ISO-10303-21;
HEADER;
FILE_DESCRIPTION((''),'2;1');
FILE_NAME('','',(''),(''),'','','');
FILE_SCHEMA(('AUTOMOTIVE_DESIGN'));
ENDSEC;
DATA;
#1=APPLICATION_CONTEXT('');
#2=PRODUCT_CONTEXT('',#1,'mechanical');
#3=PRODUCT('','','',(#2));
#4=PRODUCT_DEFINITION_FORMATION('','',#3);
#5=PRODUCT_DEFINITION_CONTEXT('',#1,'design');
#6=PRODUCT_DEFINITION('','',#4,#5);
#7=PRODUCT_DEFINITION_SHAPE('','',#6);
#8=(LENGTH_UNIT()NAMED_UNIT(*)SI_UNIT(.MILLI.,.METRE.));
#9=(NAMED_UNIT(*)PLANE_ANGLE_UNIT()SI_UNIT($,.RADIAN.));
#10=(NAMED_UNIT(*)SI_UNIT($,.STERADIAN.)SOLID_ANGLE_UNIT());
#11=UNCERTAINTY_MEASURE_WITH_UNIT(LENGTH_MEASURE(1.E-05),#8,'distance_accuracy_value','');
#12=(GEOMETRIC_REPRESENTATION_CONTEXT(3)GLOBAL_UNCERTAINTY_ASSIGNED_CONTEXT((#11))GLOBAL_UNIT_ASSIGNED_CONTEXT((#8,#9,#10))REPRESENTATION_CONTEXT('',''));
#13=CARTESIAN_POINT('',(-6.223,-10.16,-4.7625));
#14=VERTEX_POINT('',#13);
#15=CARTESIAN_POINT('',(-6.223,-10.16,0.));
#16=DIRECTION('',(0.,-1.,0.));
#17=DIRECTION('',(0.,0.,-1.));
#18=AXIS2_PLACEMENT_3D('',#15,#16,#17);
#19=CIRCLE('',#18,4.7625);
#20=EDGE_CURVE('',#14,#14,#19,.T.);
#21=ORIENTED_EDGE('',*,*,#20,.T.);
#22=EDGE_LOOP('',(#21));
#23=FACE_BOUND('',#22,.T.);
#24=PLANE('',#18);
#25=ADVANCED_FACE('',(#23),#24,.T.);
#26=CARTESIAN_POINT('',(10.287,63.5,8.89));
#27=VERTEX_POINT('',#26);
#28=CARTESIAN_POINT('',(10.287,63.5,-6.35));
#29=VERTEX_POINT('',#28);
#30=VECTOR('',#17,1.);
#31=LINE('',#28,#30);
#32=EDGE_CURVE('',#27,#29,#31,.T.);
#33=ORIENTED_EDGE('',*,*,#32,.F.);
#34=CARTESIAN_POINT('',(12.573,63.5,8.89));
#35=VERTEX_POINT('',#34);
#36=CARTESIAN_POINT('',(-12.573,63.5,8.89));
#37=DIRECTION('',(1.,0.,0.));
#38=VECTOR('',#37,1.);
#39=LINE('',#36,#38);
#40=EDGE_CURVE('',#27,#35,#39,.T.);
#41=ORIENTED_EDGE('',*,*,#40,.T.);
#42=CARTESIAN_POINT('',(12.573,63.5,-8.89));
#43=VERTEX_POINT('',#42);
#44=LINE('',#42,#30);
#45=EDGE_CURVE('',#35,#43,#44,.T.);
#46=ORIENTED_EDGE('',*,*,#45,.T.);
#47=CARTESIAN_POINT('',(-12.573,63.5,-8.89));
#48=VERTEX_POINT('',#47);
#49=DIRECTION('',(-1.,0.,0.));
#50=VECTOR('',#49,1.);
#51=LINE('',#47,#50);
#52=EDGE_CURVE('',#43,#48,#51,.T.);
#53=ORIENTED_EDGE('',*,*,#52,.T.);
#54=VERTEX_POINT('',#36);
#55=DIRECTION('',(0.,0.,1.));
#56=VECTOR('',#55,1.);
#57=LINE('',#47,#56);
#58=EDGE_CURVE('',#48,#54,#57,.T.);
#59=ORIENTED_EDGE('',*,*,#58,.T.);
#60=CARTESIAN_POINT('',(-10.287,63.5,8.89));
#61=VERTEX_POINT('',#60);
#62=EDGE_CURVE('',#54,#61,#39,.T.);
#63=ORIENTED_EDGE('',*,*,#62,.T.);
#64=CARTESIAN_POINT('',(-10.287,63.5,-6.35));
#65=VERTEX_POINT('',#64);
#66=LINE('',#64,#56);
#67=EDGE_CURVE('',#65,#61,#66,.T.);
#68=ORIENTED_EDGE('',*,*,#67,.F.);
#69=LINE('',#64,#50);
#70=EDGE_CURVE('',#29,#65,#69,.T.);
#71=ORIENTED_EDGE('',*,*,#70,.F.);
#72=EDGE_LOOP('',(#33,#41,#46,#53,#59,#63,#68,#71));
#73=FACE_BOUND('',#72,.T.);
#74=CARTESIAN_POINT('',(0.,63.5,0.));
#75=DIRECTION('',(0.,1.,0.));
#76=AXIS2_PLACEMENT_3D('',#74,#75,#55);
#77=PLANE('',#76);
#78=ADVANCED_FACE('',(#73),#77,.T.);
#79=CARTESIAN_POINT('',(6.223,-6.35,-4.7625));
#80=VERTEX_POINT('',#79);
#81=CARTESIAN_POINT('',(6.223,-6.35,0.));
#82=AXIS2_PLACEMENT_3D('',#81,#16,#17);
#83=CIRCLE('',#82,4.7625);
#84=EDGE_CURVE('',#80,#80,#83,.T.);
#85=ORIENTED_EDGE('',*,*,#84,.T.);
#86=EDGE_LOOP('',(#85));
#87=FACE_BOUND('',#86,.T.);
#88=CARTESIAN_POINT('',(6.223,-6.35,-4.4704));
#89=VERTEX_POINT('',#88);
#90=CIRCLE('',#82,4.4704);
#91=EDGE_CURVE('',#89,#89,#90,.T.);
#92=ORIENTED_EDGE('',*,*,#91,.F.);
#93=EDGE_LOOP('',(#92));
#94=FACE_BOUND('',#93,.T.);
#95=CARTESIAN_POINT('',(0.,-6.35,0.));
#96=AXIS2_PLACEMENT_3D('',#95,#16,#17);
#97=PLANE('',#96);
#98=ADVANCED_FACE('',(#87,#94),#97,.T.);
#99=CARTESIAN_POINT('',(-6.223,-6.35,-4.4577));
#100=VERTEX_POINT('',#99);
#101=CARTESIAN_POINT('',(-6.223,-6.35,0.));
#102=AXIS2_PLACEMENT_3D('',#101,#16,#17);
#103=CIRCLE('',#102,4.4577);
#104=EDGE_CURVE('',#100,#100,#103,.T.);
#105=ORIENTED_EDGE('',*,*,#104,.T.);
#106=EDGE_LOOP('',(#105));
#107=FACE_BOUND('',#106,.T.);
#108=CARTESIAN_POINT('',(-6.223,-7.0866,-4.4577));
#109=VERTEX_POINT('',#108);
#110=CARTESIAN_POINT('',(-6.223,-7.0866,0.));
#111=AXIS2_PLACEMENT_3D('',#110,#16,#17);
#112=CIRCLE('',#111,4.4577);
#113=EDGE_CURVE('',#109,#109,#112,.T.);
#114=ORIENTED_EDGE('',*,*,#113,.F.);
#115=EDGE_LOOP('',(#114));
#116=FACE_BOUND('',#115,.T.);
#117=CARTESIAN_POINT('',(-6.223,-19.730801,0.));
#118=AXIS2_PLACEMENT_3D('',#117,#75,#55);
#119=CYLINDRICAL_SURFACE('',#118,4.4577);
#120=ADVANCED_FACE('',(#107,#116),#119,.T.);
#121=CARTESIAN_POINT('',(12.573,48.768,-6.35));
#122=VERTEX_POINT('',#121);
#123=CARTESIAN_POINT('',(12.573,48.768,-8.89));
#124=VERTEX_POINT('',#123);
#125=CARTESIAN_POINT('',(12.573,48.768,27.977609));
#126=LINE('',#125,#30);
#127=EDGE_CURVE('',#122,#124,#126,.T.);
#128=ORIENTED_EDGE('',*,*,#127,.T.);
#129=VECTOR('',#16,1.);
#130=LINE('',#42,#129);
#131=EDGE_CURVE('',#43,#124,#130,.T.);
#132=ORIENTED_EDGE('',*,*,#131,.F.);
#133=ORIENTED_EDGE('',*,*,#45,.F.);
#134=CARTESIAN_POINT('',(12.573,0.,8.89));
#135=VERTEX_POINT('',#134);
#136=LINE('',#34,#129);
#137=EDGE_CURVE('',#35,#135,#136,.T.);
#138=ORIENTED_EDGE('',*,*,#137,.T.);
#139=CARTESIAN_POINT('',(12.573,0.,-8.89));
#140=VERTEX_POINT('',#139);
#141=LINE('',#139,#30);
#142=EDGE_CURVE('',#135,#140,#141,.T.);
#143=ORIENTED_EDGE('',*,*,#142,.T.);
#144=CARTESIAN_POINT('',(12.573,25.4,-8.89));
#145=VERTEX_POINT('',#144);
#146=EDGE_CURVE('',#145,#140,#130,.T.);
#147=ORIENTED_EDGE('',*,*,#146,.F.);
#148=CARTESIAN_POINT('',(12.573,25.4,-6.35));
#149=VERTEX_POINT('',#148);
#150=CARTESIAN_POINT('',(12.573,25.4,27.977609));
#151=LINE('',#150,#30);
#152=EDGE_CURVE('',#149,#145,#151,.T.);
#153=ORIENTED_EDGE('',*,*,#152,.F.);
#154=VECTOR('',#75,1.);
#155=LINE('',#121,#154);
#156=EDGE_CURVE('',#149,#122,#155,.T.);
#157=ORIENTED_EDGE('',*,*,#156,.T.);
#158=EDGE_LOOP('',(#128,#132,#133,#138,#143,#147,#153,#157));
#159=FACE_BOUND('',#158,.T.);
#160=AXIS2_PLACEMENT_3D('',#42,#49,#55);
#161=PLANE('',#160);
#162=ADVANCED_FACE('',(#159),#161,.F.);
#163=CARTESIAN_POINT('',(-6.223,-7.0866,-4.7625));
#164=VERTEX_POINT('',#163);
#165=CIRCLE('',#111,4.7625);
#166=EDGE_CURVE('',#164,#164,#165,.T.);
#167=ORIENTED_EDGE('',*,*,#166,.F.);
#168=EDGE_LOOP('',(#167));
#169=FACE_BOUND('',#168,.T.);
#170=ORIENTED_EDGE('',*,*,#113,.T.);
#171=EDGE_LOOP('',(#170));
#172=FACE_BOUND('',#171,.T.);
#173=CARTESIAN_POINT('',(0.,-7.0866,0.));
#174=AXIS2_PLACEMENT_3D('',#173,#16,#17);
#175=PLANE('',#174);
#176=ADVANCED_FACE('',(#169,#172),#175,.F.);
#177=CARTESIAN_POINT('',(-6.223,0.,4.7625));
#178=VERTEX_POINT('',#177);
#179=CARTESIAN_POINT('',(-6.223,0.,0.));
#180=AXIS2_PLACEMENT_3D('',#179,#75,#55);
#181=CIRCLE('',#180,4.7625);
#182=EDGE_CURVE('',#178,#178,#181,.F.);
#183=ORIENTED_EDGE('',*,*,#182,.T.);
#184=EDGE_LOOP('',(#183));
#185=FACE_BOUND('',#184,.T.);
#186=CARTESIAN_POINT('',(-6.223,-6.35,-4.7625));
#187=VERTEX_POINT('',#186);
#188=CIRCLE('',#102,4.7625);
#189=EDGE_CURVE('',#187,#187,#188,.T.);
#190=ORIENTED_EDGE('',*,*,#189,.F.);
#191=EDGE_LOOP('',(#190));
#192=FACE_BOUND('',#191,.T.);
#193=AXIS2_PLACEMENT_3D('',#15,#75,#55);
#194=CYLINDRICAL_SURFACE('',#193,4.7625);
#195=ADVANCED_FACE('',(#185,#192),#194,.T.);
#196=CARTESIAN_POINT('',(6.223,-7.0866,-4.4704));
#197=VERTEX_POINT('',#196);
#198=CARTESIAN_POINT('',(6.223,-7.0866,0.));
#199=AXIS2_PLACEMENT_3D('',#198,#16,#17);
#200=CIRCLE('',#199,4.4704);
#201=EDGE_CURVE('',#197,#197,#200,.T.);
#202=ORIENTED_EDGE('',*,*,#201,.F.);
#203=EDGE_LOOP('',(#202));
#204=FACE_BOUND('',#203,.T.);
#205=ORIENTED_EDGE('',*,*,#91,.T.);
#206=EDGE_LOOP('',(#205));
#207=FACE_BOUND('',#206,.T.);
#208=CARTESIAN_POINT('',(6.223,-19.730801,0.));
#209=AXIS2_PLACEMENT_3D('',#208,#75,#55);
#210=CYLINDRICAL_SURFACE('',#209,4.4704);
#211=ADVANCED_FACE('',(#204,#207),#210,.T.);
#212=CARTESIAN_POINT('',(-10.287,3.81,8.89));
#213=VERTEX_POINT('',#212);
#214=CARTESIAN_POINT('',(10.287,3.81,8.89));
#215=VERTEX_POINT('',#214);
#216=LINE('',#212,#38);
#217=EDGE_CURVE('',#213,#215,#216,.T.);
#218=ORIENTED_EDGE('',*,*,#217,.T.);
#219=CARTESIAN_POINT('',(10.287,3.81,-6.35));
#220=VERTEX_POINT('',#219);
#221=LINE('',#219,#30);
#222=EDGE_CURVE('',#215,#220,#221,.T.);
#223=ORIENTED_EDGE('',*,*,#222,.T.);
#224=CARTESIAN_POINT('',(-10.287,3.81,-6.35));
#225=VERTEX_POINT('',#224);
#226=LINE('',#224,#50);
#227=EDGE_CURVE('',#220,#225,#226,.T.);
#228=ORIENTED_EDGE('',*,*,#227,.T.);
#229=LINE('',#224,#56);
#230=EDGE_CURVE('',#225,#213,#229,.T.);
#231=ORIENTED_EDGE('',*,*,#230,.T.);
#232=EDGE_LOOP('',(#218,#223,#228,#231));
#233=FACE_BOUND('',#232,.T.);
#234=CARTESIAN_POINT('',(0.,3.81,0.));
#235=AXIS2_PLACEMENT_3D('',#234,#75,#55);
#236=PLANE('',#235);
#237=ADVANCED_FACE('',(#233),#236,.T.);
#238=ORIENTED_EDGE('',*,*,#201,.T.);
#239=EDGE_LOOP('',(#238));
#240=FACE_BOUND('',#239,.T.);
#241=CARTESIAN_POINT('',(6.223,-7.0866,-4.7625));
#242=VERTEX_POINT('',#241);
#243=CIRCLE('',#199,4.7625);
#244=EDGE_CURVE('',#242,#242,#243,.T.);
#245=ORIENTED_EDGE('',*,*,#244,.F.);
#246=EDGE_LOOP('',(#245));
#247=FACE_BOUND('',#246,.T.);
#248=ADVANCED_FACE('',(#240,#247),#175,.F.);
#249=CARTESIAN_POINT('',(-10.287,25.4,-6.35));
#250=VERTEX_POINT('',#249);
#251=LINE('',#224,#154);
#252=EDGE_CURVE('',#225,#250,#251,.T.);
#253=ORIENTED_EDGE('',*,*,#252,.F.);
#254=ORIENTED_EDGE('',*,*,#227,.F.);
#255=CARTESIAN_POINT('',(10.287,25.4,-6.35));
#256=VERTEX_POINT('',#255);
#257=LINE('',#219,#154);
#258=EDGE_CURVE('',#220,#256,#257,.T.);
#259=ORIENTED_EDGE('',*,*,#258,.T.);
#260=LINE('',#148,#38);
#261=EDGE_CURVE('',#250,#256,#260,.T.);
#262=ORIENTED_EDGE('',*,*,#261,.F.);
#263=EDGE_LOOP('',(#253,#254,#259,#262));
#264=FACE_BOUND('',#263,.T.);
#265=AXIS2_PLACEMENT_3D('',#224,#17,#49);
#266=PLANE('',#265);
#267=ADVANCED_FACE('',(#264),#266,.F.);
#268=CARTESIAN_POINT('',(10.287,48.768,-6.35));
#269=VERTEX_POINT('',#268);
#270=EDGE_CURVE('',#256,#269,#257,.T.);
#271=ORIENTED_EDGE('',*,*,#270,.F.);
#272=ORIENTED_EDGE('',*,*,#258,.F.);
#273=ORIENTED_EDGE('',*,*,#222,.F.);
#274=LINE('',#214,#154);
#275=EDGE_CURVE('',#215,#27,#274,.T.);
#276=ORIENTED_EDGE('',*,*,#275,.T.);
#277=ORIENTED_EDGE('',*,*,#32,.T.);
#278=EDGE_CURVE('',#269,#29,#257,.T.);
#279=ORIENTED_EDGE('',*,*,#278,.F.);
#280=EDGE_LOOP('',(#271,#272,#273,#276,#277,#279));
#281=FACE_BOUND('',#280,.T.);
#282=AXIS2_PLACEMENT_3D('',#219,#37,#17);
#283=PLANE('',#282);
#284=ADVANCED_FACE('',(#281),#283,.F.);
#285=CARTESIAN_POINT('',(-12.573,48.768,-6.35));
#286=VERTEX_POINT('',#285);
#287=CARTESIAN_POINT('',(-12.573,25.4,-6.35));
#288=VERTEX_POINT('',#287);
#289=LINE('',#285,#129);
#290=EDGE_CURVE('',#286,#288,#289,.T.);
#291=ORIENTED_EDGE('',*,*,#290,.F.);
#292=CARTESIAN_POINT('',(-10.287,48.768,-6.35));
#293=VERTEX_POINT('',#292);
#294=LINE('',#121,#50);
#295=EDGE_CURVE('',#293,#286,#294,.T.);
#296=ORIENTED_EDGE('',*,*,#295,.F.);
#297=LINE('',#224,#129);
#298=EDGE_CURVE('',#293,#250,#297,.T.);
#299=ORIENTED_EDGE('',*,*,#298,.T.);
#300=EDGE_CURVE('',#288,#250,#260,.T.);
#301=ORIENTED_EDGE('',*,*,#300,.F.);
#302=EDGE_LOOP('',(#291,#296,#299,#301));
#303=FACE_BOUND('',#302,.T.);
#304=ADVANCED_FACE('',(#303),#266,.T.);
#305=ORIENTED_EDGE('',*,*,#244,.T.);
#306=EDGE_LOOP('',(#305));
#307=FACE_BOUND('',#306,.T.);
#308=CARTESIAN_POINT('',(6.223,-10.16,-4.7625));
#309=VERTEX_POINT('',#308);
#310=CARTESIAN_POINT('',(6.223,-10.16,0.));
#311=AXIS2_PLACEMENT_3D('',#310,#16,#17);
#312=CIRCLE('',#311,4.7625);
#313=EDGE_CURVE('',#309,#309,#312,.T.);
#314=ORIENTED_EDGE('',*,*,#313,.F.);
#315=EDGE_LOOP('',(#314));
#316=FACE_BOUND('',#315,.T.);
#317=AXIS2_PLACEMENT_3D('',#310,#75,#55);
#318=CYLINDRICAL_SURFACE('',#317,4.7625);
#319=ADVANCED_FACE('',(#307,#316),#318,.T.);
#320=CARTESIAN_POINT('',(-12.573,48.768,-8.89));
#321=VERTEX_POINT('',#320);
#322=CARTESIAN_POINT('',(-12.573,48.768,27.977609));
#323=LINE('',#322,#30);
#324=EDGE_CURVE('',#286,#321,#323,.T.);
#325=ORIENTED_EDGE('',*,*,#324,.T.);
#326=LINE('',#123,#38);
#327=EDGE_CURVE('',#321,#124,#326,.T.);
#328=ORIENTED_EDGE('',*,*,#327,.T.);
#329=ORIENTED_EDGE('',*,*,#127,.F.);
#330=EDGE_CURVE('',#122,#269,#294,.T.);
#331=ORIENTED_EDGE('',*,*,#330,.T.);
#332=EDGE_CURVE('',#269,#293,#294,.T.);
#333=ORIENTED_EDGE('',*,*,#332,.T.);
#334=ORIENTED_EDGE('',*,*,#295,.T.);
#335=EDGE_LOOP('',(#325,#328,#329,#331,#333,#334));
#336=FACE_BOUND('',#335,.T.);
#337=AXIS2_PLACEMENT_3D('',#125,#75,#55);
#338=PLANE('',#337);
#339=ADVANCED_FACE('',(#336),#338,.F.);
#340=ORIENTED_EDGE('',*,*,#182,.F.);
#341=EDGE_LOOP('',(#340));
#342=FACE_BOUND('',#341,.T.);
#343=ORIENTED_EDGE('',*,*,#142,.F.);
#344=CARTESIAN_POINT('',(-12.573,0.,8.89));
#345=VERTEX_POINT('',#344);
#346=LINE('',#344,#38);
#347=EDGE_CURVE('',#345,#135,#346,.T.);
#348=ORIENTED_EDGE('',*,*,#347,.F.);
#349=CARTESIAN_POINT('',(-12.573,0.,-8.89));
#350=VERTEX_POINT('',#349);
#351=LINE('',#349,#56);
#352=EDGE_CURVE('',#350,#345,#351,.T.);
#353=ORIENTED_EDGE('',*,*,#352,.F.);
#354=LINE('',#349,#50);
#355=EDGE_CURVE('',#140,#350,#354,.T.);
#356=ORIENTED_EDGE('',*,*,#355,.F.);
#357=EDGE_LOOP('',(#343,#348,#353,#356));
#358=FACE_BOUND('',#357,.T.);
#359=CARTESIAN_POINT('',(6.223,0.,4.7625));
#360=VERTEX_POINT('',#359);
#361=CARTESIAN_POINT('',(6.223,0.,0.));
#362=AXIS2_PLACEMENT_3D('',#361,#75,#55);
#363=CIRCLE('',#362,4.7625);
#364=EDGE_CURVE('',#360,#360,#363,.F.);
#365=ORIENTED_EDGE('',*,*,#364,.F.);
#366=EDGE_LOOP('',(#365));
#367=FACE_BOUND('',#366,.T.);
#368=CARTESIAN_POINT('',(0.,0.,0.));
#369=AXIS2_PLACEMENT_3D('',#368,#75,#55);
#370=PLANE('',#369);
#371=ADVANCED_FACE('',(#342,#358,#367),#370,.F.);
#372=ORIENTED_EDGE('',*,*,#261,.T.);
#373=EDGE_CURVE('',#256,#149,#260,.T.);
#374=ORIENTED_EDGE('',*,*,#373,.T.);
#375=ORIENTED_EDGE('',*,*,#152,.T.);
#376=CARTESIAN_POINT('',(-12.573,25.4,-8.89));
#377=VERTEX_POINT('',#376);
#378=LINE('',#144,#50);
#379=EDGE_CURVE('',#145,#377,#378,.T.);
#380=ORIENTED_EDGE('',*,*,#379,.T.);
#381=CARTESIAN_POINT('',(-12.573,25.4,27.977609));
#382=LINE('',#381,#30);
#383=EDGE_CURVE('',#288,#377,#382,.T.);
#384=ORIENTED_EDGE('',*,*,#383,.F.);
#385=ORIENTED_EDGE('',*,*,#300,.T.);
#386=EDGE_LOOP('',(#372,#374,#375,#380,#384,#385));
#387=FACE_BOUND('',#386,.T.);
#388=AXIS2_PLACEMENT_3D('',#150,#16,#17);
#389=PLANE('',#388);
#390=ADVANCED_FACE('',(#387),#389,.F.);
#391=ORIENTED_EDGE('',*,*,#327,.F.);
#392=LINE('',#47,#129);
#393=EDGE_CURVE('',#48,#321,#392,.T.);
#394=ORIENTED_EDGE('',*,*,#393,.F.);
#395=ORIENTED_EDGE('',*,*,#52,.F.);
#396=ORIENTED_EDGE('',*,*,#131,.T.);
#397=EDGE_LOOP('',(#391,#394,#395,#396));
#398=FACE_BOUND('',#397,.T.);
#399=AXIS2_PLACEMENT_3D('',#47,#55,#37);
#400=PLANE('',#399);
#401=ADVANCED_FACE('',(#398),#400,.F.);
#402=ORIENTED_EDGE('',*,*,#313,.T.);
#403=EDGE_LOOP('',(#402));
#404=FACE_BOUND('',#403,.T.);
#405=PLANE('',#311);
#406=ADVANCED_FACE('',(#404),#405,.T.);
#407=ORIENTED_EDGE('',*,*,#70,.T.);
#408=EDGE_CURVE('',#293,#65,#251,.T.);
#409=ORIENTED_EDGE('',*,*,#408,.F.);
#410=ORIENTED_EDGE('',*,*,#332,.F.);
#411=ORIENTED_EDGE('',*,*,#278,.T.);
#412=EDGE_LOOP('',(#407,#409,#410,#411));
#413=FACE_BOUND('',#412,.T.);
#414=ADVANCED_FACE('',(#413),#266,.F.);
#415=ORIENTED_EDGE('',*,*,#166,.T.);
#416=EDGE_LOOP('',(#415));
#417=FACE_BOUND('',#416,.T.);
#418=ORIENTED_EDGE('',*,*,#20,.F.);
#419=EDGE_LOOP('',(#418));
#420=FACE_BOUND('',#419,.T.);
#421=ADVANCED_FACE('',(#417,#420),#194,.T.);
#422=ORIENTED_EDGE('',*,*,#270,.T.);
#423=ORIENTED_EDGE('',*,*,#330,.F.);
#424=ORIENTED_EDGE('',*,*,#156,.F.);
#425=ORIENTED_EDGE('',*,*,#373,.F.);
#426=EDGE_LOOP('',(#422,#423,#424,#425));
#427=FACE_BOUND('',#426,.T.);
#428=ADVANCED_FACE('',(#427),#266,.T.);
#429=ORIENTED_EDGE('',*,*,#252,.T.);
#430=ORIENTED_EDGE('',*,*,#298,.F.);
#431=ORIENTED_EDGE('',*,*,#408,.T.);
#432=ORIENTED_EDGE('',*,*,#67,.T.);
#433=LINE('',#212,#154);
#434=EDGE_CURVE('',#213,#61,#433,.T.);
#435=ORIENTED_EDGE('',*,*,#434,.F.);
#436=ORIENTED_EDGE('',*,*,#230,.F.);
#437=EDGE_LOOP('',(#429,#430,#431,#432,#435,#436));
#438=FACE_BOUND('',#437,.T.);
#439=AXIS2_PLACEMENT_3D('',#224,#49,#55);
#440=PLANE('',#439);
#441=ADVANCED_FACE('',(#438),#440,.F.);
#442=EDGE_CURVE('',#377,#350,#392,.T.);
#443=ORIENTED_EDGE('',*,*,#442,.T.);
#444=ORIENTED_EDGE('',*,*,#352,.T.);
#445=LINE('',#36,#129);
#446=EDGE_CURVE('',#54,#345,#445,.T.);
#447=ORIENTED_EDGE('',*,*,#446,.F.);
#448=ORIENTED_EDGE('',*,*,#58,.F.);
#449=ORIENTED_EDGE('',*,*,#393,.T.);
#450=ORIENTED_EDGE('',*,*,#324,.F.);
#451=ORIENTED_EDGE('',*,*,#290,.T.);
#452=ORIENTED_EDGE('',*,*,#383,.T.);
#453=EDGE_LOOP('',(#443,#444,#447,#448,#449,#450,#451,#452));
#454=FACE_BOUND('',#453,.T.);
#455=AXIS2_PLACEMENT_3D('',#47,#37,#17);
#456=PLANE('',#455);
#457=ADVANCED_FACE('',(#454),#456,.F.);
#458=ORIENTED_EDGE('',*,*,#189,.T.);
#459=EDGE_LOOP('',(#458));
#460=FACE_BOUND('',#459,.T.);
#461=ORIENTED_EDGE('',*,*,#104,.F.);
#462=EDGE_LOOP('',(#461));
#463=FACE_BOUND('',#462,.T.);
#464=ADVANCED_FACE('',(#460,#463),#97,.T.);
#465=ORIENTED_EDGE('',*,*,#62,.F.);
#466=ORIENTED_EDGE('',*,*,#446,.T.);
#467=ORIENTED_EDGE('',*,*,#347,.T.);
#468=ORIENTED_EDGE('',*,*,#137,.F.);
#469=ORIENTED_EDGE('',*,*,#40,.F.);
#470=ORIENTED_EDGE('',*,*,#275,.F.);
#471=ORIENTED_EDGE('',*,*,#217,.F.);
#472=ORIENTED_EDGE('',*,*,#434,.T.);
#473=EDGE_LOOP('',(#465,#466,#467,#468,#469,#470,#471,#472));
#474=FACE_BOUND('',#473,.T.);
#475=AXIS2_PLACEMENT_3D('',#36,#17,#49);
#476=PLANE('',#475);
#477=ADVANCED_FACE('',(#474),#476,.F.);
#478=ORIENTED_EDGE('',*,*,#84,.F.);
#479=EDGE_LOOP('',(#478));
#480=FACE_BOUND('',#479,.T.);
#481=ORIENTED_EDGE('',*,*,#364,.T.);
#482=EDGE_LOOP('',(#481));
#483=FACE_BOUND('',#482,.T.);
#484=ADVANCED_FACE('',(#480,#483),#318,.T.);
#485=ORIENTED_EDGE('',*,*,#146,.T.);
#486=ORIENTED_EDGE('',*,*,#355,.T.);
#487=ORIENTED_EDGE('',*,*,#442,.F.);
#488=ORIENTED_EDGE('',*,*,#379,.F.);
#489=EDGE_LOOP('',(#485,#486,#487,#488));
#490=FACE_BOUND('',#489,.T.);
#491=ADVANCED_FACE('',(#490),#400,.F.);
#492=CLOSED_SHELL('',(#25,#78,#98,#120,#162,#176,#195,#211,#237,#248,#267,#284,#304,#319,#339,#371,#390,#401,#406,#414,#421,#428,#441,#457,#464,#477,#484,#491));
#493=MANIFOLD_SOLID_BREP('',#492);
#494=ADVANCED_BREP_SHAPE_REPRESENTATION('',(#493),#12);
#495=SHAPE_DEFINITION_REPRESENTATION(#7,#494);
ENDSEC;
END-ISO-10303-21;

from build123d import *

# Parameters (mm, degrees)
SKETCH2_W           = 25.146
SKETCH2_H           = 17.78
BOSS_EXTRUDE1_DEPTH = 63.5
SKETCH3_W           = 20.574
SKETCH3_H           = 15.24
CUT_EXTRUDE1_DEPTH  = 59.69
SKETCH4_R           = 4.7625
BOSS_EXTRUDE2_DEPTH = 10.16
F_3DSKETCH1_R       = 5.08
CUT_EXTRUDE2_DEPTH  = 0.7366
SKETCH5_R           = 4.4577
SKETCH5_R_2         = 4.4704
BOSS_EXTRUDE3_DEPTH = 0.7366
SKETCH6_W           = 25.146
SKETCH6_H           = 23.368
CUT_EXTRUDE3_DEPTH  = 2.54


with BuildPart() as part:
    # Sketch2 → Boss-Extrude1 (new body)
    with BuildSketch(Plane(origin=(0, 0, 0), x_dir=(1, 0, 0), z_dir=(0, 1, 0))):
        Rectangle(SKETCH2_W, SKETCH2_H)
    extrude(amount=BOSS_EXTRUDE1_DEPTH)

    # Sketch3 → Cut-Extrude1 (cut)
    with BuildSketch(Plane(origin=(0, 63.5, 0), x_dir=(1, 0, 0), z_dir=(0, 1, 0))):
        with Locations((0, -1.27)):
            Rectangle(SKETCH3_W, SKETCH3_H)
    extrude(amount=-CUT_EXTRUDE1_DEPTH, mode=Mode.SUBTRACT)

    # Sketch4 → Boss-Extrude2 (add)
    with BuildSketch(Plane(origin=(0, 0, 0), x_dir=(-1, 0, 0), z_dir=(0, -1, 0))):
        with Locations(Location((6.223, 0, 0), (0, 0, 270))):
            Circle(SKETCH4_R)
        with Locations(Location((-6.223, 0, 0), (0, 0, 270))):
            Circle(SKETCH4_R)
    extrude(amount=BOSS_EXTRUDE2_DEPTH)

    # 3DSketch1 → Cut-Extrude2 (cut)
    with BuildSketch(Plane(origin=(-6.223, -6.35, 0), x_dir=(1, 0, 0), z_dir=(0, -1, 0))):
        Circle(F_3DSKETCH1_R)
        with Locations((12.446, 0)):
            Circle(F_3DSKETCH1_R)
    extrude(amount=CUT_EXTRUDE2_DEPTH, mode=Mode.SUBTRACT)


with BuildPart() as cut_extrude2_piece_1:
    # of the separate pieces the step leaves, piece 1, a body of its own (cut_extrude2_pieces)
    add(part.part.solids().sort_by_distance((-12.573, 0, -8.89))[0])



with BuildPart() as cut_extrude2_piece_2:
    # of the separate pieces the step leaves, piece 2, a body of its own (cut_extrude2_pieces)
    add(part.part.solids().sort_by_distance((6.223, -7.0866, 4.7625))[0])


with BuildPart() as cut_extrude2_piece_3:
    # of the separate pieces the step leaves, piece 3, a body of its own (cut_extrude2_pieces)
    add(part.part.solids().sort_by_distance((-6.223, -7.0866, 4.7625))[0])


with BuildPart() as cut_extrude2_piece_1_1:
    add(cut_extrude2_piece_1.part)

    add(cut_extrude2_piece_2.part)  # Boss-Extrude3 merges Cut-Extrude2 piece 2

    add(cut_extrude2_piece_3.part)  # Boss-Extrude3 merges Cut-Extrude2 piece 3
    # Sketch5 → Boss-Extrude3 (add)
    with BuildSketch(Plane(origin=(0, -6.35, 0), x_dir=(-1, 0, 0), z_dir=(0, -1, 0))):
        with Locations(Location((6.223, 0, 0), (0, 0, 90))):
            Circle(SKETCH5_R)
        with Locations(Location((-6.223, 0, 0), (0, 0, 90))):
            Circle(SKETCH5_R_2)
    extrude(amount=BOSS_EXTRUDE3_DEPTH)

    # Sketch6 → Cut-Extrude3 (cut)
    with BuildSketch(Plane(origin=(0, 0, -8.89), x_dir=(-1, 0, 0), z_dir=(0, 0, -1))):
        with Locations((0, 37.084)):
            Rectangle(SKETCH6_W, SKETCH6_H)
    extrude(amount=-CUT_EXTRUDE3_DEPTH, mode=Mode.SUBTRACT)


solid = cut_extrude2_piece_1_1.part
